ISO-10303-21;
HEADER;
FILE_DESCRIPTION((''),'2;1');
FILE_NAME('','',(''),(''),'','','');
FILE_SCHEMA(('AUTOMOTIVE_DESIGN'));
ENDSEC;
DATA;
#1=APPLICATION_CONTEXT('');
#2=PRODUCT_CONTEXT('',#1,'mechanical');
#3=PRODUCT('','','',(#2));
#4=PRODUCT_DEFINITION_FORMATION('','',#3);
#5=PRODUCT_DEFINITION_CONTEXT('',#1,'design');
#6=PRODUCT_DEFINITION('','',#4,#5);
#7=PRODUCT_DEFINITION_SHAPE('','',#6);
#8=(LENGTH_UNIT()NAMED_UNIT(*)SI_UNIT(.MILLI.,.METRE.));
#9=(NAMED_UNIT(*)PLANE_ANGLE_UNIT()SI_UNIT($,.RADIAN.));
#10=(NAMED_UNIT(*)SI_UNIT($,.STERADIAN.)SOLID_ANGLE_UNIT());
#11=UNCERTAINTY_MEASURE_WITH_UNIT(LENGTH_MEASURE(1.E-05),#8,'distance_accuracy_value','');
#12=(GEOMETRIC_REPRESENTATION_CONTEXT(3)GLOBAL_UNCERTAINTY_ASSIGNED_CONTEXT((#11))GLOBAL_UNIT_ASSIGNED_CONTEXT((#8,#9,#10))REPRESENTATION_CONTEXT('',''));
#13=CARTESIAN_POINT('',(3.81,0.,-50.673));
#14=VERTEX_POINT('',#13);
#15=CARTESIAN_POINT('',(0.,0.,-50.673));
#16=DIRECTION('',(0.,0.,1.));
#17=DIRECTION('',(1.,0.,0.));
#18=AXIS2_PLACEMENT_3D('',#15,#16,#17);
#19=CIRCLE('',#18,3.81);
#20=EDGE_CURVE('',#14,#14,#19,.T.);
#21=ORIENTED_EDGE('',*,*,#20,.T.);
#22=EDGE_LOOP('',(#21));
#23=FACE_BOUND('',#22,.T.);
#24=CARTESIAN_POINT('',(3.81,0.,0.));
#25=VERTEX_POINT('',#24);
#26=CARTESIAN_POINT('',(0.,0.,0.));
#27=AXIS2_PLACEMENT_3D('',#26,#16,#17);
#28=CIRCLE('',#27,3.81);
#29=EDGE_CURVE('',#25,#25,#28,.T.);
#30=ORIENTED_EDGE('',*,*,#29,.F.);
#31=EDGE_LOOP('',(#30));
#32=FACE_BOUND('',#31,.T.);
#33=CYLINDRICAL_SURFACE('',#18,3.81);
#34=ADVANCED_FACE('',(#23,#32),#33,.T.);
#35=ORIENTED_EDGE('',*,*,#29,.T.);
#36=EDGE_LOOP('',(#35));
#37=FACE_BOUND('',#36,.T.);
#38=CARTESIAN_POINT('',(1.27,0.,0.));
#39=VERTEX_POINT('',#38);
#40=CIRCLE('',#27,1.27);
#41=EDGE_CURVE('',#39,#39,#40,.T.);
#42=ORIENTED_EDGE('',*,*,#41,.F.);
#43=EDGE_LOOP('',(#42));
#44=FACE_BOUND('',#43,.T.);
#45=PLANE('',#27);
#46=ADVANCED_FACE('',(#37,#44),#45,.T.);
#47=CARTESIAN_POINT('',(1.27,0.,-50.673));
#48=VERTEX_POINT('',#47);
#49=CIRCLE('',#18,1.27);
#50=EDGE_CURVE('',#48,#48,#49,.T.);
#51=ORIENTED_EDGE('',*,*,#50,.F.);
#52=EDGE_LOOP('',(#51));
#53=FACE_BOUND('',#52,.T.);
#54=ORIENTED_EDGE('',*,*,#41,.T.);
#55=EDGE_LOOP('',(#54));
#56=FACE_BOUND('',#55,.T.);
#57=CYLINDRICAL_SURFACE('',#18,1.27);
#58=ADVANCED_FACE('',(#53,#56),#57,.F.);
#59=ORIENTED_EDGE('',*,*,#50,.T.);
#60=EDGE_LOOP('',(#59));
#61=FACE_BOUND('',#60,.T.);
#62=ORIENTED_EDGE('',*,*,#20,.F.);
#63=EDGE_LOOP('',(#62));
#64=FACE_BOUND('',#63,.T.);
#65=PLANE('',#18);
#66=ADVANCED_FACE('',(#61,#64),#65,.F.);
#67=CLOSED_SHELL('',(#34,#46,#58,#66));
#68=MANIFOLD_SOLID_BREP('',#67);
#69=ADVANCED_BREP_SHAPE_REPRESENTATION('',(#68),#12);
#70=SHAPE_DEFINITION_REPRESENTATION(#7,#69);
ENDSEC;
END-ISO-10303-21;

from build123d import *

# Parameters (mm, degrees)
SKETCH1_R           = 3.81
SKETCH1_R_2         = 1.27
BOSS_EXTRUDE1_DEPTH = 50.673


with BuildPart() as part:
    # Sketch1 → Boss-Extrude1 (new body)
    with BuildSketch(Plane.XY):
        Circle(SKETCH1_R)
        Circle(SKETCH1_R_2, mode=Mode.SUBTRACT)
    extrude(amount=-BOSS_EXTRUDE1_DEPTH)


solid = part.part
